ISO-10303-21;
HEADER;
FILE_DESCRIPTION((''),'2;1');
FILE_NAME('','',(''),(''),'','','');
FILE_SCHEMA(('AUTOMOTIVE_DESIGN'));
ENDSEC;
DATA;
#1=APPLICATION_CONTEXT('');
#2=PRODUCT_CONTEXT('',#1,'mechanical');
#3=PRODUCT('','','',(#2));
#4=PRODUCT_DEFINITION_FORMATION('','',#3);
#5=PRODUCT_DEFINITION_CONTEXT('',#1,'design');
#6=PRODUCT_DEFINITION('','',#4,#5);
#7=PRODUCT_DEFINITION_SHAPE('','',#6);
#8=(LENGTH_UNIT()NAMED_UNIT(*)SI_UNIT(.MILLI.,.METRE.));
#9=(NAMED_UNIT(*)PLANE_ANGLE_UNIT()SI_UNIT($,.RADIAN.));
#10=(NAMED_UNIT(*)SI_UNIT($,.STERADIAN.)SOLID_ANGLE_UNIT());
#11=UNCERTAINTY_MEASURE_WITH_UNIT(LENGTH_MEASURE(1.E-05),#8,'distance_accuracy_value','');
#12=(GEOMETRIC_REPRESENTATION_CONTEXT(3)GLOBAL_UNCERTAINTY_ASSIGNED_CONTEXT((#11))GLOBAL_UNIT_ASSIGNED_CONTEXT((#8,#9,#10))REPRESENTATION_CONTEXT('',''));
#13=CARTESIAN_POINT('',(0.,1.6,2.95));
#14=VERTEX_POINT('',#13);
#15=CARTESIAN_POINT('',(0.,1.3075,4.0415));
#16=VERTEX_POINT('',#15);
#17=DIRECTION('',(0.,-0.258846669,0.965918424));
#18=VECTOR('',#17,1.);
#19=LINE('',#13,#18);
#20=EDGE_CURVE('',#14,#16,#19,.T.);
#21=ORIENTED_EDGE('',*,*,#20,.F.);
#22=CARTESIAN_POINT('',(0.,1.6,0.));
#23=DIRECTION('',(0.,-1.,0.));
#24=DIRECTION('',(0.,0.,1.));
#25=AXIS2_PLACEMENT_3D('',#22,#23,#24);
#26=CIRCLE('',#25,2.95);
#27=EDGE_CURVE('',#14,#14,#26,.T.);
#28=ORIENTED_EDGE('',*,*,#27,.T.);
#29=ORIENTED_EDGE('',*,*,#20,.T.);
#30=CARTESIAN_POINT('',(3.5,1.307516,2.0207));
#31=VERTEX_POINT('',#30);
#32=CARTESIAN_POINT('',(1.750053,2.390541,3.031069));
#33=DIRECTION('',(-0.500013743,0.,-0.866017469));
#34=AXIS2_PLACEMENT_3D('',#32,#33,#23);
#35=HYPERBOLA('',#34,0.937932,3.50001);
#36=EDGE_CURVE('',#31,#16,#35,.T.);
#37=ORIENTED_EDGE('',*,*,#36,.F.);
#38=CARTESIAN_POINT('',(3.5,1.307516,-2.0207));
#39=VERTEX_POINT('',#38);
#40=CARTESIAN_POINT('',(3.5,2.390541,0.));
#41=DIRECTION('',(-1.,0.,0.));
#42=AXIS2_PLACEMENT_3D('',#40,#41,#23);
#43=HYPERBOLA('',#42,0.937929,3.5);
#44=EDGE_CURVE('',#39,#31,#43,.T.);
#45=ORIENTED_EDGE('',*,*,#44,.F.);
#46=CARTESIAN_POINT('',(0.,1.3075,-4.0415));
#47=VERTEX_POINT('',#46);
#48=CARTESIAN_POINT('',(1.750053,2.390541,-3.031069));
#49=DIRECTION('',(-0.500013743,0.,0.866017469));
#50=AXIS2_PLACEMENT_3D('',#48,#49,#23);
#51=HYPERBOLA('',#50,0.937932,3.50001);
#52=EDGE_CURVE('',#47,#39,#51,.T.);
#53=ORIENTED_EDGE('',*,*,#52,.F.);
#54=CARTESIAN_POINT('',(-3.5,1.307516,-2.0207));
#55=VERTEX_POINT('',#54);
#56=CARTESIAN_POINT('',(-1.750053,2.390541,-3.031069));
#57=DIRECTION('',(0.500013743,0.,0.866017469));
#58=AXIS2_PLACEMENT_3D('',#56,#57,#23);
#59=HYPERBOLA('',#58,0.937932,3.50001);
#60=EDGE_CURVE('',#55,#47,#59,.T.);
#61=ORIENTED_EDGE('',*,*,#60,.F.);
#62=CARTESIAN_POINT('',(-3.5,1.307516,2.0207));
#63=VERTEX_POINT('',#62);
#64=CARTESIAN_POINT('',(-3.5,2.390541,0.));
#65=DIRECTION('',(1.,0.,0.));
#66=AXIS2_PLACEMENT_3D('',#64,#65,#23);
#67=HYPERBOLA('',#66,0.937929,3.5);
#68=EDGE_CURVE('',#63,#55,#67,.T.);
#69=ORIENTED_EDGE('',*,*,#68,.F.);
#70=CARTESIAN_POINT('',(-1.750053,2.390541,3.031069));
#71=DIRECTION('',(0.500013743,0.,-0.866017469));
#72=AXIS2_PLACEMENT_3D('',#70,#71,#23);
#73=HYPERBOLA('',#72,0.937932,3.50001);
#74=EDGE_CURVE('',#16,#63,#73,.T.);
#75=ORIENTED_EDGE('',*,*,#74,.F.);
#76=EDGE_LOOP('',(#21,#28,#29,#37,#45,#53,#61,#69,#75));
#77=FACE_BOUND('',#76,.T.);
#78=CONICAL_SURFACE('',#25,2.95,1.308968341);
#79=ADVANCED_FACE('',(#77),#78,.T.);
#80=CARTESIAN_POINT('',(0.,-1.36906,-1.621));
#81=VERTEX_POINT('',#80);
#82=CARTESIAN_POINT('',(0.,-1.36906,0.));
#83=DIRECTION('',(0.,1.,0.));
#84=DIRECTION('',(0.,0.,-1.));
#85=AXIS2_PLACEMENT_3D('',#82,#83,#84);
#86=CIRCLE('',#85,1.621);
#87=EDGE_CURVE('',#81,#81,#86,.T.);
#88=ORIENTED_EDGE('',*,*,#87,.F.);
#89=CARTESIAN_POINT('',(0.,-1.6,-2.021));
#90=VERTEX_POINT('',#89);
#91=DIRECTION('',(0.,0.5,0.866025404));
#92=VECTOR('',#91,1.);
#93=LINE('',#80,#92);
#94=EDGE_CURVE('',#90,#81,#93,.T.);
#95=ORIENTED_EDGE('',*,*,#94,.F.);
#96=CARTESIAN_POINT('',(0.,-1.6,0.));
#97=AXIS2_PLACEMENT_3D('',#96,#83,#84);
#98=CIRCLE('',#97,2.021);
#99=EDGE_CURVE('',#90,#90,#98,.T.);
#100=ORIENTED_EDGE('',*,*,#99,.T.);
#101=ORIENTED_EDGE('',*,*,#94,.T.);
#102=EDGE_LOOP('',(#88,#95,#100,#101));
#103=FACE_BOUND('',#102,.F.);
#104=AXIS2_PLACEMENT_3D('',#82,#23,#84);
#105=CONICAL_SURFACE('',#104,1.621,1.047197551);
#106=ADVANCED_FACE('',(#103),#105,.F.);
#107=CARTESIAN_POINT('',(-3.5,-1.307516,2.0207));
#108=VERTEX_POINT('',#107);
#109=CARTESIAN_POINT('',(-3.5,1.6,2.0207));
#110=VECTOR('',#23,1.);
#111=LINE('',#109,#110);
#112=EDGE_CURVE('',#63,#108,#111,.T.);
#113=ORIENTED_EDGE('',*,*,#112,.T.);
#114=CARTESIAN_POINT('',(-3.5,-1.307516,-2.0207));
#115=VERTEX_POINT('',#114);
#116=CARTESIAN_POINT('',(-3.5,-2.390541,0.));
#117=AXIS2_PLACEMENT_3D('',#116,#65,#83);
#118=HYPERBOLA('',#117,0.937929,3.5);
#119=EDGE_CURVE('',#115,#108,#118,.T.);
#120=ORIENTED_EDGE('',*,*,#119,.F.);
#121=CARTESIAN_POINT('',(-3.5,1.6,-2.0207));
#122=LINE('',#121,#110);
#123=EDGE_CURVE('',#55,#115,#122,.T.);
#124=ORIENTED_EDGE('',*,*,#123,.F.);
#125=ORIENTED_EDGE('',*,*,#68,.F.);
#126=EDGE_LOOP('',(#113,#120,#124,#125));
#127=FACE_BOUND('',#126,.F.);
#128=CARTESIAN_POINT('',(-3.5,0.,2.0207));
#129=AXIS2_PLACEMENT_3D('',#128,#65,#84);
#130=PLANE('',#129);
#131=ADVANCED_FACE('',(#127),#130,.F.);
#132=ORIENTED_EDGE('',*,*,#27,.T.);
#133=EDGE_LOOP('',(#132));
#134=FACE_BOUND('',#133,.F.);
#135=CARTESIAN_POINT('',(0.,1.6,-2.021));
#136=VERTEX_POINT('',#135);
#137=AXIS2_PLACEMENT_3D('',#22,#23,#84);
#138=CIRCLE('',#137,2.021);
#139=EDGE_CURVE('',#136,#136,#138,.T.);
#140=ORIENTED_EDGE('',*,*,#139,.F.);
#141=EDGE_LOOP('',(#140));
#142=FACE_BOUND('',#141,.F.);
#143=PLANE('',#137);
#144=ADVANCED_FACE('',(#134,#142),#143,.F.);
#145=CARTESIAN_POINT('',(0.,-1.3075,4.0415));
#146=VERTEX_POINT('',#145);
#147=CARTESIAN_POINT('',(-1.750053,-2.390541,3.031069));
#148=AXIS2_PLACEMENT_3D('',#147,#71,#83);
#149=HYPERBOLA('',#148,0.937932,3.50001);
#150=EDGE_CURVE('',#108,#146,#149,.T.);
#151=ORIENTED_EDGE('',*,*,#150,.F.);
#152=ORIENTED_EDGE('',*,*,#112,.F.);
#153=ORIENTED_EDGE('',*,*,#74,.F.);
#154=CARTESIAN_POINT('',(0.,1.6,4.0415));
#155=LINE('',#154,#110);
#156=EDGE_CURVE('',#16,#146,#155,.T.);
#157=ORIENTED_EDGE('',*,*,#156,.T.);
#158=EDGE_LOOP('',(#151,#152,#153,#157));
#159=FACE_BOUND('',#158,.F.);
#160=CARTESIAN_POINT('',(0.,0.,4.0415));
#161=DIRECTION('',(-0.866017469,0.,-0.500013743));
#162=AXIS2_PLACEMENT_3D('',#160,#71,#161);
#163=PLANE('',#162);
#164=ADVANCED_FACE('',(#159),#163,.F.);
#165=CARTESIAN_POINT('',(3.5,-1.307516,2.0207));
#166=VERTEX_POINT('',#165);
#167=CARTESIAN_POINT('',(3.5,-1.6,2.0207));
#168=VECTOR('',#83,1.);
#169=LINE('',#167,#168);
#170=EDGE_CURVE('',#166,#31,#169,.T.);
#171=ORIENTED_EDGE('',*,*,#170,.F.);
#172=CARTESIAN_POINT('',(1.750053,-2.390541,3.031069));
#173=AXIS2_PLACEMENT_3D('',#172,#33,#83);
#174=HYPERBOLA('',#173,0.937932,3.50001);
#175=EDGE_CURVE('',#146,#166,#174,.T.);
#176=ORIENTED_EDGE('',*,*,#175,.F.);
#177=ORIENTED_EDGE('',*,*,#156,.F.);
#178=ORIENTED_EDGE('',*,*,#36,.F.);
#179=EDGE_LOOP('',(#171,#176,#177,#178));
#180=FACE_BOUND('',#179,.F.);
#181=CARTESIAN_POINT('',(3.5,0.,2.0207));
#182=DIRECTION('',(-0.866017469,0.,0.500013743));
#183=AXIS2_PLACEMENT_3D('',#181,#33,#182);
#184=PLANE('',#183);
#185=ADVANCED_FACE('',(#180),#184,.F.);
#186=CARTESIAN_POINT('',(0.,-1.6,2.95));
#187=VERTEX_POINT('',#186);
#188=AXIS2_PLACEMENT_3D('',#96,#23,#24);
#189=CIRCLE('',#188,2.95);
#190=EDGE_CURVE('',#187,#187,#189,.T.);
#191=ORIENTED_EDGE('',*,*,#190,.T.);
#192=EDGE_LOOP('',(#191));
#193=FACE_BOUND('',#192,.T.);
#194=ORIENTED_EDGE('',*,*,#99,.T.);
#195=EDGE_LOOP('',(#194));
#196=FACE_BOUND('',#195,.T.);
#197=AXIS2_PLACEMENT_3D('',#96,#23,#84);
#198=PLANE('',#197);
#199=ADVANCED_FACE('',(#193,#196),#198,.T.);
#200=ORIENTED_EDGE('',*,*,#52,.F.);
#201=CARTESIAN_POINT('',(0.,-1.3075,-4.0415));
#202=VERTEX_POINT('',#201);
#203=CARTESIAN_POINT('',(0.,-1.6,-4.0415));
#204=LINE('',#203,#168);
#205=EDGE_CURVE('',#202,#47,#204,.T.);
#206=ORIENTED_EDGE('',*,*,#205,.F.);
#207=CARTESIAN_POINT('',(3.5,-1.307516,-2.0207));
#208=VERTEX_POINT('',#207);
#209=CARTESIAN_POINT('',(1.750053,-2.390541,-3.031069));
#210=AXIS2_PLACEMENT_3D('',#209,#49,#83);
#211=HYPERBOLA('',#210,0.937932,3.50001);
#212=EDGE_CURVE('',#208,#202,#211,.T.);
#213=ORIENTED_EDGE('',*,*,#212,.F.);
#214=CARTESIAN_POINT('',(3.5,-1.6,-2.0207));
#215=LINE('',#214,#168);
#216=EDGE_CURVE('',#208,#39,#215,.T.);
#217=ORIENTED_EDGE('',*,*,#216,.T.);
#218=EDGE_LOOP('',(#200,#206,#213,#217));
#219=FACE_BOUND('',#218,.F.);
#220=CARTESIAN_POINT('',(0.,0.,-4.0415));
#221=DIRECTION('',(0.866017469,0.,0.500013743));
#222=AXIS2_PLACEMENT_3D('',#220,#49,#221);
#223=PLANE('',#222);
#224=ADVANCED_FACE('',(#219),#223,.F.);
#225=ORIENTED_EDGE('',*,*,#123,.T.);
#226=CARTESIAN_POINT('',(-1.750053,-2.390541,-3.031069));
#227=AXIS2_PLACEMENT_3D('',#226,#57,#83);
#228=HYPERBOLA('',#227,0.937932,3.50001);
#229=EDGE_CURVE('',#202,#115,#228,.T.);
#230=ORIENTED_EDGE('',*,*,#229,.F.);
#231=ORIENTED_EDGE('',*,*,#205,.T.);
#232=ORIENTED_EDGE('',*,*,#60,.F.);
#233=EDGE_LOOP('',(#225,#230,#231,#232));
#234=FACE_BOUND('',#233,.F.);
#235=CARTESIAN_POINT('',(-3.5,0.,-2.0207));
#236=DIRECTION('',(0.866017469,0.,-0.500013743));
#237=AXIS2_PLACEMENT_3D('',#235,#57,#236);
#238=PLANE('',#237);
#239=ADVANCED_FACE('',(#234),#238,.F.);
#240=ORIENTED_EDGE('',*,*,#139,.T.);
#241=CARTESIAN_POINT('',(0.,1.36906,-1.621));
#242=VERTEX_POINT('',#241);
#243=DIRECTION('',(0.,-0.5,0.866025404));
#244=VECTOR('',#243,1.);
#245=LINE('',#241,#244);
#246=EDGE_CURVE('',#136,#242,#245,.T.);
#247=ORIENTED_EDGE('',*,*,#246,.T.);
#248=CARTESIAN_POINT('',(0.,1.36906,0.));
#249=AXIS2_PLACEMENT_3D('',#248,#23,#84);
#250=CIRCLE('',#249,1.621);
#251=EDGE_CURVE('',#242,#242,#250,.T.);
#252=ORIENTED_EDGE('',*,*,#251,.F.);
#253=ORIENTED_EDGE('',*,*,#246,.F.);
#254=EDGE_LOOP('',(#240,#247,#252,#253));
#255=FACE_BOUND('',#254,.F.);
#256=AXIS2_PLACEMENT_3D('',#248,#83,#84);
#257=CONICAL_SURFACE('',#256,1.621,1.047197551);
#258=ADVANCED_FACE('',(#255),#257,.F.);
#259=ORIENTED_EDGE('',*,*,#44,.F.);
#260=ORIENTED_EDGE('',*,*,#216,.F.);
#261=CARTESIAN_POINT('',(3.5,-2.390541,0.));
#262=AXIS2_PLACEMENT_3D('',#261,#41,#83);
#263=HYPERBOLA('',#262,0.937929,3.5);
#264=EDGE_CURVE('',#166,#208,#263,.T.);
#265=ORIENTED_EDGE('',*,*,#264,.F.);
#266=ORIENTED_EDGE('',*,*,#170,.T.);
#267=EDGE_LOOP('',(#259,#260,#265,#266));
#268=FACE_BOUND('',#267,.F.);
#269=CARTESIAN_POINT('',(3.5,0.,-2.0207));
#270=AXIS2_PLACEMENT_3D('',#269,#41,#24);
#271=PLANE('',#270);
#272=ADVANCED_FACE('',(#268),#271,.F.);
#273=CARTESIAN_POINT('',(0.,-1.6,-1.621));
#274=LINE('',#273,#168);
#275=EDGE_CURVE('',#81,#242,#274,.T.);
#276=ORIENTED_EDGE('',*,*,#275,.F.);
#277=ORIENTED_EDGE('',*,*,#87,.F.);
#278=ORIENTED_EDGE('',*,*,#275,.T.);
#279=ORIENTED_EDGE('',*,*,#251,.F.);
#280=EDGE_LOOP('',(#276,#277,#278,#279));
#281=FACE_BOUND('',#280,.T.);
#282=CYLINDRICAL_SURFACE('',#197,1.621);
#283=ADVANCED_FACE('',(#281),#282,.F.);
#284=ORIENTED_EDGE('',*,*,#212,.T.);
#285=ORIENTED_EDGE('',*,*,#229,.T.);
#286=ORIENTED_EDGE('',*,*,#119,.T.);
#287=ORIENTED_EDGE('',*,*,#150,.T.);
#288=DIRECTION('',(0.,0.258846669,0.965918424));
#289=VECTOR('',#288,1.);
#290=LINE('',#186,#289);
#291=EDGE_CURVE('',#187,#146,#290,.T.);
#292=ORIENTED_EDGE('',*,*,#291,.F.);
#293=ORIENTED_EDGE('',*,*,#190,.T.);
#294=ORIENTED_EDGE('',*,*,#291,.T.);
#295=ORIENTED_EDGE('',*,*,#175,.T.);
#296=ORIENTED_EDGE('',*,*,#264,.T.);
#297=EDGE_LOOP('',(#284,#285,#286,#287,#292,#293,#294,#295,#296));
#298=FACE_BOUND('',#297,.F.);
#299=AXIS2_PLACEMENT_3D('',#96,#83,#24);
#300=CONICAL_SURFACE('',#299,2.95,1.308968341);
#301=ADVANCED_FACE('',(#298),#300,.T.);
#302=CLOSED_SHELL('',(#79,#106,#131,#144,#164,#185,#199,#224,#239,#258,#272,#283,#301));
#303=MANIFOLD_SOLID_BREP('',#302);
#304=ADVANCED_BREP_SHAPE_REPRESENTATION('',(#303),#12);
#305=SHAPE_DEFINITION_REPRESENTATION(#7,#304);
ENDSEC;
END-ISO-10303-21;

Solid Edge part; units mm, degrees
sketch "Sketch1" plane through (0, 0, 0) normal (0, -1, 0) x (1, 0, 0)
  line L0 (3.5, 2.0207) -> (0, 4.0415)
  line L1 (0, 4.0415) -> (-3.5, 2.0207)
  line L2 (-3.5, 2.0207) -> (-3.5, -2.0207)
  line L3 (-3.5, -2.0207) -> (0, -4.0415)
  line L4 (0, -4.0415) -> (3.5, -2.0207)
  line L5 (3.5, -2.0207) -> (3.5, 2.0207)
extrude "Protrusion1" add sketch "Sketch1" along normal mid plane 3.2
sketch "Sketch2" plane through (0, 0, 0) normal (1, 0, 0) x (0, 1, 0)
  line L0 (-1.6, 2.95) -> (-1.3075, 4.0415)
revolve "RevolvedCutout1" cut sketch "Sketch2" angle 360 about axis through (0, 0, 0) along (0, -1, 0) material side at (0, -1.502, 3.5087)
mirror "Mirror1" about plane through (0, 0, 0) normal (0, -1, 0) of "RevolvedCutout1"
hole "孔_7" at (0, -1.6, 0) direction (0, 1, 0) diameter 3.242 end up to next start chamfer 0.4 start chamfer angle 60 end chamfer 0.4 end chamfer angle 60
